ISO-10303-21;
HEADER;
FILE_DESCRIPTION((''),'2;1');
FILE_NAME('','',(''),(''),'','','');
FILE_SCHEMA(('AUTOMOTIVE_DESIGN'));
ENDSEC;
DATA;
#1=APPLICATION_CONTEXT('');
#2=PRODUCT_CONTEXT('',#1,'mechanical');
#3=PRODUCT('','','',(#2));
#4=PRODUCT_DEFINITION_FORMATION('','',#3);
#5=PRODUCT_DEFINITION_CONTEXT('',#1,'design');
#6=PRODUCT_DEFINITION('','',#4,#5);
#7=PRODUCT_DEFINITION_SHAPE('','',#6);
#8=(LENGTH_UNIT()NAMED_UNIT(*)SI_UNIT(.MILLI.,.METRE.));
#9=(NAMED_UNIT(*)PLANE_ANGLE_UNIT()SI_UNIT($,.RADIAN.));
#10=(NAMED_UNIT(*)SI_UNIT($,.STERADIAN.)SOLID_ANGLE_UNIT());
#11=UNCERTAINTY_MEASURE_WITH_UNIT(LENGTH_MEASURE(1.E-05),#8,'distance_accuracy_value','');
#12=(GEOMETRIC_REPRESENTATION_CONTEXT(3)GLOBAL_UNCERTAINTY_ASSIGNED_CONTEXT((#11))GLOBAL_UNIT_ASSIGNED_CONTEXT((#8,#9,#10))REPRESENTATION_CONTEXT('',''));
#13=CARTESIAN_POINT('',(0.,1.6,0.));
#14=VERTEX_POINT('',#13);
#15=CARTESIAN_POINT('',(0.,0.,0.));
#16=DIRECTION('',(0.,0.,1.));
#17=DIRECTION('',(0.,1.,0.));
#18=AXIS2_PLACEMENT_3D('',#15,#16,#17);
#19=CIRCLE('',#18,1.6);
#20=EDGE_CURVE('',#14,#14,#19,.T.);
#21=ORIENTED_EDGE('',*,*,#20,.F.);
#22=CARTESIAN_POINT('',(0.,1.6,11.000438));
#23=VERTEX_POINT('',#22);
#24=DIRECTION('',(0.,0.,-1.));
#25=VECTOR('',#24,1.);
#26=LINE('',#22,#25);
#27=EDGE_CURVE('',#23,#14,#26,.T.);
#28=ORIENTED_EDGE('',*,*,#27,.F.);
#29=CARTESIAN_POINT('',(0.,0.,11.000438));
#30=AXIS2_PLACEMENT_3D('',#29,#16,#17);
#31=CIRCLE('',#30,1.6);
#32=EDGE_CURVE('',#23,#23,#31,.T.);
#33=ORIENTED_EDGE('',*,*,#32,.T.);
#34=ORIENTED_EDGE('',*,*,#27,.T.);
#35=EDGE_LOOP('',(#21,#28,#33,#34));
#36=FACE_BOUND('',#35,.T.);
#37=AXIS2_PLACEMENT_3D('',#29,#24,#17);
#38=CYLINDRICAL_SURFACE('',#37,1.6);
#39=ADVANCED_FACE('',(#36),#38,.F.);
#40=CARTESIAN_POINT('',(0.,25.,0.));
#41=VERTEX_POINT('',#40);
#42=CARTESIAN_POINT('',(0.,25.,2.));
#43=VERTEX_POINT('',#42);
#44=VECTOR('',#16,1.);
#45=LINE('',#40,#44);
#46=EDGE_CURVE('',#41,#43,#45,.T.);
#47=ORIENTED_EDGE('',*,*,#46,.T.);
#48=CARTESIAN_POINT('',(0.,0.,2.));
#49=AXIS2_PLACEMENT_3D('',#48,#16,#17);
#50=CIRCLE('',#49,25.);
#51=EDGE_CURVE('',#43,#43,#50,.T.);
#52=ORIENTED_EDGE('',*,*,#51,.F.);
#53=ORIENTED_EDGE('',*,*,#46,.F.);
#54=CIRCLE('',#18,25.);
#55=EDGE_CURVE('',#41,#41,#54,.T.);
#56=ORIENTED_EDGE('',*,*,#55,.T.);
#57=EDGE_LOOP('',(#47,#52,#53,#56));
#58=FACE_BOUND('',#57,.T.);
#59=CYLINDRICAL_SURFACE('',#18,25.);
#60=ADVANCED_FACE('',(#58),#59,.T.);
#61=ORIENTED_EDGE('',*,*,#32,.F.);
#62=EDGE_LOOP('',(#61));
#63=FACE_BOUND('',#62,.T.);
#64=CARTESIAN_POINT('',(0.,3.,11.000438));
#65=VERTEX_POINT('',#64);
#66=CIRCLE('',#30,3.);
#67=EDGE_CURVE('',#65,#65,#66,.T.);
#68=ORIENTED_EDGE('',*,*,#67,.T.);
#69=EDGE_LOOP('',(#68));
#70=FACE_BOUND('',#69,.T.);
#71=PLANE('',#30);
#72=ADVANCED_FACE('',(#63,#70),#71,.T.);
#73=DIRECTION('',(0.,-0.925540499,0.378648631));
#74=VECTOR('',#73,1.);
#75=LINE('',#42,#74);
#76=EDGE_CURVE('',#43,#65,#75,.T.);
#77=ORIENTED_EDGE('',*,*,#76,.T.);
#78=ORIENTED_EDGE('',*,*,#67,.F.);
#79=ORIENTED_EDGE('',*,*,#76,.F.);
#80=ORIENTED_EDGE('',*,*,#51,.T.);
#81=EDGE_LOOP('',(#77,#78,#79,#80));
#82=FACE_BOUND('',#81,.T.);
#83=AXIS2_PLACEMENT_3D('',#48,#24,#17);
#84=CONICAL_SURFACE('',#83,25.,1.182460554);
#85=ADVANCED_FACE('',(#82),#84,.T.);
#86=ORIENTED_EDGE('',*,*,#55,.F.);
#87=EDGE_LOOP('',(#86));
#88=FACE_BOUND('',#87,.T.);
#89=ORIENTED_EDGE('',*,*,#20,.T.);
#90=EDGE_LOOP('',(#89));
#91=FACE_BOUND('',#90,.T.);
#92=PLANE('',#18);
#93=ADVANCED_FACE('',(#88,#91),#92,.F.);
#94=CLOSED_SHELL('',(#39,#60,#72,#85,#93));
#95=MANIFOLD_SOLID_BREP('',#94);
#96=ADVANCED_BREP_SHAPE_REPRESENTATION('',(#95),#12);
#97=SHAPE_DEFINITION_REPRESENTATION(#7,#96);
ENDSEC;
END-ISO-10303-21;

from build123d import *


with BuildPart() as part:
    # Sketch002 → Revolution (revolve)
    with BuildSketch(Plane.YZ):
        Polygon((1.6, 11.000438), (1.6, 0), (25, 0), (25, 2), (3, 11.000438), align=None)
    revolve(axis=Axis((0, 0, 0), (0, 0, 1)))


solid = part.part
